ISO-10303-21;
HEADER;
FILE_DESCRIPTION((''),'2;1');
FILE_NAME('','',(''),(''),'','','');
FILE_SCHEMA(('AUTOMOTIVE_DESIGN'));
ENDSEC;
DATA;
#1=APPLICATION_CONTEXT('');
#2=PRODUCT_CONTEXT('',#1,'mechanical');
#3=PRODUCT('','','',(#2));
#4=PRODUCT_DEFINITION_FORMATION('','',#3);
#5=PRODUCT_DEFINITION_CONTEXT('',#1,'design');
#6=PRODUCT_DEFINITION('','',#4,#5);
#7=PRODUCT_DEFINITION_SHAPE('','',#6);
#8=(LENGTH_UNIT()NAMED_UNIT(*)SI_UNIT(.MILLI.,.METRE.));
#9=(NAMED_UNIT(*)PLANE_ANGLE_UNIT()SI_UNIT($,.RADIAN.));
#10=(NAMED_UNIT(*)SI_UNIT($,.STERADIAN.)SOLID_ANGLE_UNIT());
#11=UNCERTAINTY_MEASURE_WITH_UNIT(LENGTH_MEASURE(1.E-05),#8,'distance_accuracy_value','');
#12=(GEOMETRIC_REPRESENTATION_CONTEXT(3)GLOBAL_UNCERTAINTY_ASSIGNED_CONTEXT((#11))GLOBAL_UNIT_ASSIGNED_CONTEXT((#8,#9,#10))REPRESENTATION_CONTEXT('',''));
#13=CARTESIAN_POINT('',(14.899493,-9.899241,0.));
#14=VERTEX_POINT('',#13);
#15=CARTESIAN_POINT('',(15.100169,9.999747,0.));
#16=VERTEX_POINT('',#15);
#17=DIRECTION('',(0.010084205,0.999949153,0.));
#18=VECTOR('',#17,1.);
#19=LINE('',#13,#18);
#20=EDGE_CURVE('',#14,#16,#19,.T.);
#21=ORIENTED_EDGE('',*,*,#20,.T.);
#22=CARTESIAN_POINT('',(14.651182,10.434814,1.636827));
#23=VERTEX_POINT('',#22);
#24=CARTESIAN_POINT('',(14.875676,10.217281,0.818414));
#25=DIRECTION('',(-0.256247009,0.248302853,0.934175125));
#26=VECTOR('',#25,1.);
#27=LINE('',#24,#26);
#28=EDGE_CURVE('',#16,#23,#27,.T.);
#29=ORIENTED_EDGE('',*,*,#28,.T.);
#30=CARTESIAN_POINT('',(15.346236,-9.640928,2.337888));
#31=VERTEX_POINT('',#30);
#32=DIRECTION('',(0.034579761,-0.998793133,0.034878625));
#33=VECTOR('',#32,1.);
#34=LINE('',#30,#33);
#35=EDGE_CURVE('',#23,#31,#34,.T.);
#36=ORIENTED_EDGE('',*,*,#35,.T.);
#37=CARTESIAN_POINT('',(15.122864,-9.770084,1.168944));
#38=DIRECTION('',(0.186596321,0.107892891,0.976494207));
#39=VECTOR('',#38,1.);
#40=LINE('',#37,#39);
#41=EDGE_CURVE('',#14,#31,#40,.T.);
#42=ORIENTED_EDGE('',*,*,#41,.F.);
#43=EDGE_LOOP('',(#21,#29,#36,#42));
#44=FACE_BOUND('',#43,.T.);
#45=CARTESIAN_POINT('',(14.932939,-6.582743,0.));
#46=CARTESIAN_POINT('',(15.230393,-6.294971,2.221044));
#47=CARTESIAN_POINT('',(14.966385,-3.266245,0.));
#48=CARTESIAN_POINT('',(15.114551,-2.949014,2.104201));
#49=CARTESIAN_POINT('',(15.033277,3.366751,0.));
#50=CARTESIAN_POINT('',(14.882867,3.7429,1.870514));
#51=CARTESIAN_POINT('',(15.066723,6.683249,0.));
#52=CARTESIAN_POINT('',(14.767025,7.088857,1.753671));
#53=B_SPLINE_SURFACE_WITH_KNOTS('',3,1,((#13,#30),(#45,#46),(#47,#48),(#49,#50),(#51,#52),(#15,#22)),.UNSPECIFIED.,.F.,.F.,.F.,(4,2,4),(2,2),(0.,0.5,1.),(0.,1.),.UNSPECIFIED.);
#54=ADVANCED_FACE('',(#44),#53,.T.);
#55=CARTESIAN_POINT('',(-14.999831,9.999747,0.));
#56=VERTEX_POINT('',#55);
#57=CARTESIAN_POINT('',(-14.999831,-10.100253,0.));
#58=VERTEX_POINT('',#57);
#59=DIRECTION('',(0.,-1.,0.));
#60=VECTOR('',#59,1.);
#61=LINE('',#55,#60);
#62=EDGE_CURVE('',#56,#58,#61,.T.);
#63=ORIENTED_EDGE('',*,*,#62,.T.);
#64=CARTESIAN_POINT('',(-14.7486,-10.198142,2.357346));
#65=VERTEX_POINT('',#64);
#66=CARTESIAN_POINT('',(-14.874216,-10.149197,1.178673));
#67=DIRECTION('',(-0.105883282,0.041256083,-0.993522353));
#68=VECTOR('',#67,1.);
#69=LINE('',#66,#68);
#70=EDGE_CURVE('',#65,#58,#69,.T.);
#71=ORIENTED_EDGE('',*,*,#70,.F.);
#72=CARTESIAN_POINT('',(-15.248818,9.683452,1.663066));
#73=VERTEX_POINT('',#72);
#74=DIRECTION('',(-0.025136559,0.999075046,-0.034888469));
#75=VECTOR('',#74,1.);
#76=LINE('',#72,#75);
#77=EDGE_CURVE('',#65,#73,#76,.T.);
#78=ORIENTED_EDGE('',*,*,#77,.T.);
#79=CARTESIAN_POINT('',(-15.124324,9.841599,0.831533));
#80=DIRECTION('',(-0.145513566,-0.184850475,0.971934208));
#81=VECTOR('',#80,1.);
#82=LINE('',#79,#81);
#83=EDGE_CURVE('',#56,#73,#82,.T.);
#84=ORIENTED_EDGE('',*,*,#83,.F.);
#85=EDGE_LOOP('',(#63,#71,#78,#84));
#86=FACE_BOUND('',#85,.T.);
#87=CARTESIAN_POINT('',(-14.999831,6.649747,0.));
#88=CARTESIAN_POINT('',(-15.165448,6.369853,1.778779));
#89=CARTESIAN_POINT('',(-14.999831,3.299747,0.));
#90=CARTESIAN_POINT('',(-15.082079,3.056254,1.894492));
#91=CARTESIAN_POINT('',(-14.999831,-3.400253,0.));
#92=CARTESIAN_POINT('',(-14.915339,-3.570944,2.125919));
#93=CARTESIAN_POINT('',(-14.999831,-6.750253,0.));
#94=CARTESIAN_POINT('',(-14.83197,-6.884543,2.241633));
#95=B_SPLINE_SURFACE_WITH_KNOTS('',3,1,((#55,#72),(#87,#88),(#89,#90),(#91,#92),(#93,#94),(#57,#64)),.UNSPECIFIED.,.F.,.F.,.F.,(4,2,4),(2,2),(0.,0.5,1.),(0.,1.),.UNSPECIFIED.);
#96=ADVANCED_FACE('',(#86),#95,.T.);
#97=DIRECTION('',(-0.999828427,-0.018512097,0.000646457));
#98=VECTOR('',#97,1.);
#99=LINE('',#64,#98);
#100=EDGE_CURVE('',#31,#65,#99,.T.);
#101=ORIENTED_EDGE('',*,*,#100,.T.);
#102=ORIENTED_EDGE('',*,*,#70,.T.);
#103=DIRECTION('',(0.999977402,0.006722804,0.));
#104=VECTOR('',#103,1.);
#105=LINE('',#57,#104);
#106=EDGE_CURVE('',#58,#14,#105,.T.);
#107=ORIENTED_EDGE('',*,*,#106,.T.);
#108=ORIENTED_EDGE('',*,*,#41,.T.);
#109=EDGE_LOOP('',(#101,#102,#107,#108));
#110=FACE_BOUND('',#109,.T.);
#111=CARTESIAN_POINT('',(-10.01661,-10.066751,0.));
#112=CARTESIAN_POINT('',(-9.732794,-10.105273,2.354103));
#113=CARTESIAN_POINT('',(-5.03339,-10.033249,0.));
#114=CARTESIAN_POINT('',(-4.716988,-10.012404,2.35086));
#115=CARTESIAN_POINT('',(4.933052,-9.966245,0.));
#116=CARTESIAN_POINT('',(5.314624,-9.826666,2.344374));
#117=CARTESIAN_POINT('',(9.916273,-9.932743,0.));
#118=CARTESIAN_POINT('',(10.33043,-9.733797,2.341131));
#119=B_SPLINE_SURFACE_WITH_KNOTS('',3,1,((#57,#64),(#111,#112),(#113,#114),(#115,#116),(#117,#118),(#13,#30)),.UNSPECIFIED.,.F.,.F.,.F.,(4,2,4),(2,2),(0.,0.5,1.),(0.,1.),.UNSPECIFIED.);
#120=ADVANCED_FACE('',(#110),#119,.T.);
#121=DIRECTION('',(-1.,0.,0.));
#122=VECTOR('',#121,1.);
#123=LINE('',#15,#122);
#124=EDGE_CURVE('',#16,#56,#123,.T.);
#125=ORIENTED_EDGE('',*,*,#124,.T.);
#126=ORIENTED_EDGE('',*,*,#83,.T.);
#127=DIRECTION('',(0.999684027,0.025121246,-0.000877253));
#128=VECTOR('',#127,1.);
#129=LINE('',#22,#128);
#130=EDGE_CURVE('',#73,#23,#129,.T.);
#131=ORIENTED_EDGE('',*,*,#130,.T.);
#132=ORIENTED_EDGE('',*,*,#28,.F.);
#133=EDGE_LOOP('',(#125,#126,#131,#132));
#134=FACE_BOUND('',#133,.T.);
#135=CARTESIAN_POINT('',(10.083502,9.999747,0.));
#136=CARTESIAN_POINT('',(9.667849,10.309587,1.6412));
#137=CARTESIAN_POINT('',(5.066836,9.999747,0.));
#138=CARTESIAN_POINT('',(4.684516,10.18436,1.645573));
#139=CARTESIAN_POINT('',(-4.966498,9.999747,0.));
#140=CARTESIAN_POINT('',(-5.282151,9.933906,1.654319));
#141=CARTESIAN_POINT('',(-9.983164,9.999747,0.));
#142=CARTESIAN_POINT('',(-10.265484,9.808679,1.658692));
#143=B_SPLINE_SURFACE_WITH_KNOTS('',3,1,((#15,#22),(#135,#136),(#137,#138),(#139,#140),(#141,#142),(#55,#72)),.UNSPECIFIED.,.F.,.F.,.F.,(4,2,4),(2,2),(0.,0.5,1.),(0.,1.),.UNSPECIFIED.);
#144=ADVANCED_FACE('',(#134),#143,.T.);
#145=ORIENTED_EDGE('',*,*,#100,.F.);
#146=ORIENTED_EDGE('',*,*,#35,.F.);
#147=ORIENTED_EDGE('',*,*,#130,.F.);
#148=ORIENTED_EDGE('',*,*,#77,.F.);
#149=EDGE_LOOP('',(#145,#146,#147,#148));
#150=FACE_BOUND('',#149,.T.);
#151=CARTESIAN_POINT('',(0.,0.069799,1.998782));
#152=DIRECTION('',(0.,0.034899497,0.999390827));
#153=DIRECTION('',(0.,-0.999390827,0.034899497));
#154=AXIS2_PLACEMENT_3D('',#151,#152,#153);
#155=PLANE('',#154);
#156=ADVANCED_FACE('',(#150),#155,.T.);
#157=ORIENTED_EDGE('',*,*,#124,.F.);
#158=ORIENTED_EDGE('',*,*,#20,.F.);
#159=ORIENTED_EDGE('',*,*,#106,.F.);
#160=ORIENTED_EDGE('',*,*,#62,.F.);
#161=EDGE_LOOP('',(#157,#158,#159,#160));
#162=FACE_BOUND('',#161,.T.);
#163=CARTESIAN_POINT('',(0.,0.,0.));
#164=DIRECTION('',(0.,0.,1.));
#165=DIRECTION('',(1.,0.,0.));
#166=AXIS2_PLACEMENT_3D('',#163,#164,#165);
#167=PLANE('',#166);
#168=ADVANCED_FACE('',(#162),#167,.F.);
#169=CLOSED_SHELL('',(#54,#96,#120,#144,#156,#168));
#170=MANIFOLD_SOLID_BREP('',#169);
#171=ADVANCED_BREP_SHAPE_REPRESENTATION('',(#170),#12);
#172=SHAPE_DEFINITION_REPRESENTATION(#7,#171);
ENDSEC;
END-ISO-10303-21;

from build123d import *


with BuildPart() as part:
    # Skizze1 → Ausformung2 section 0
    with BuildSketch(Plane.XY):
        with BuildLine():
            Line((-14.999831078, 9.999747037), (-14.999831078, -10.100252963))
            Line((-14.999831078, -10.100252963), (14.899493233, -9.89924111))
            Line((14.899493233, -9.89924111), (15.100168922, 9.999747037))
            Line((15.100168922, 9.999747037), (-14.999831078, 9.999747037))
        make_face()
    # Skizze2 → Ausformung2 section 1
    with BuildSketch(Plane(origin=(0, 0.069798993, 1.998781654), x_dir=(-1, 0, 0), z_dir=(0, -0.03489949670250451, -0.9993908270190957))):
        with BuildLine():
            Line((15.248817676, 9.619512457), (14.748600157, -10.274199676))
            Line((14.748600157, -10.274199676), (-15.34623551, -9.7166459))
            Line((-15.34623551, -9.7166459), (-14.651182324, 10.371333119))
            Line((-14.651182324, 10.371333119), (15.248817676, 9.619512457))
        make_face()
    loft()


solid = part.part
